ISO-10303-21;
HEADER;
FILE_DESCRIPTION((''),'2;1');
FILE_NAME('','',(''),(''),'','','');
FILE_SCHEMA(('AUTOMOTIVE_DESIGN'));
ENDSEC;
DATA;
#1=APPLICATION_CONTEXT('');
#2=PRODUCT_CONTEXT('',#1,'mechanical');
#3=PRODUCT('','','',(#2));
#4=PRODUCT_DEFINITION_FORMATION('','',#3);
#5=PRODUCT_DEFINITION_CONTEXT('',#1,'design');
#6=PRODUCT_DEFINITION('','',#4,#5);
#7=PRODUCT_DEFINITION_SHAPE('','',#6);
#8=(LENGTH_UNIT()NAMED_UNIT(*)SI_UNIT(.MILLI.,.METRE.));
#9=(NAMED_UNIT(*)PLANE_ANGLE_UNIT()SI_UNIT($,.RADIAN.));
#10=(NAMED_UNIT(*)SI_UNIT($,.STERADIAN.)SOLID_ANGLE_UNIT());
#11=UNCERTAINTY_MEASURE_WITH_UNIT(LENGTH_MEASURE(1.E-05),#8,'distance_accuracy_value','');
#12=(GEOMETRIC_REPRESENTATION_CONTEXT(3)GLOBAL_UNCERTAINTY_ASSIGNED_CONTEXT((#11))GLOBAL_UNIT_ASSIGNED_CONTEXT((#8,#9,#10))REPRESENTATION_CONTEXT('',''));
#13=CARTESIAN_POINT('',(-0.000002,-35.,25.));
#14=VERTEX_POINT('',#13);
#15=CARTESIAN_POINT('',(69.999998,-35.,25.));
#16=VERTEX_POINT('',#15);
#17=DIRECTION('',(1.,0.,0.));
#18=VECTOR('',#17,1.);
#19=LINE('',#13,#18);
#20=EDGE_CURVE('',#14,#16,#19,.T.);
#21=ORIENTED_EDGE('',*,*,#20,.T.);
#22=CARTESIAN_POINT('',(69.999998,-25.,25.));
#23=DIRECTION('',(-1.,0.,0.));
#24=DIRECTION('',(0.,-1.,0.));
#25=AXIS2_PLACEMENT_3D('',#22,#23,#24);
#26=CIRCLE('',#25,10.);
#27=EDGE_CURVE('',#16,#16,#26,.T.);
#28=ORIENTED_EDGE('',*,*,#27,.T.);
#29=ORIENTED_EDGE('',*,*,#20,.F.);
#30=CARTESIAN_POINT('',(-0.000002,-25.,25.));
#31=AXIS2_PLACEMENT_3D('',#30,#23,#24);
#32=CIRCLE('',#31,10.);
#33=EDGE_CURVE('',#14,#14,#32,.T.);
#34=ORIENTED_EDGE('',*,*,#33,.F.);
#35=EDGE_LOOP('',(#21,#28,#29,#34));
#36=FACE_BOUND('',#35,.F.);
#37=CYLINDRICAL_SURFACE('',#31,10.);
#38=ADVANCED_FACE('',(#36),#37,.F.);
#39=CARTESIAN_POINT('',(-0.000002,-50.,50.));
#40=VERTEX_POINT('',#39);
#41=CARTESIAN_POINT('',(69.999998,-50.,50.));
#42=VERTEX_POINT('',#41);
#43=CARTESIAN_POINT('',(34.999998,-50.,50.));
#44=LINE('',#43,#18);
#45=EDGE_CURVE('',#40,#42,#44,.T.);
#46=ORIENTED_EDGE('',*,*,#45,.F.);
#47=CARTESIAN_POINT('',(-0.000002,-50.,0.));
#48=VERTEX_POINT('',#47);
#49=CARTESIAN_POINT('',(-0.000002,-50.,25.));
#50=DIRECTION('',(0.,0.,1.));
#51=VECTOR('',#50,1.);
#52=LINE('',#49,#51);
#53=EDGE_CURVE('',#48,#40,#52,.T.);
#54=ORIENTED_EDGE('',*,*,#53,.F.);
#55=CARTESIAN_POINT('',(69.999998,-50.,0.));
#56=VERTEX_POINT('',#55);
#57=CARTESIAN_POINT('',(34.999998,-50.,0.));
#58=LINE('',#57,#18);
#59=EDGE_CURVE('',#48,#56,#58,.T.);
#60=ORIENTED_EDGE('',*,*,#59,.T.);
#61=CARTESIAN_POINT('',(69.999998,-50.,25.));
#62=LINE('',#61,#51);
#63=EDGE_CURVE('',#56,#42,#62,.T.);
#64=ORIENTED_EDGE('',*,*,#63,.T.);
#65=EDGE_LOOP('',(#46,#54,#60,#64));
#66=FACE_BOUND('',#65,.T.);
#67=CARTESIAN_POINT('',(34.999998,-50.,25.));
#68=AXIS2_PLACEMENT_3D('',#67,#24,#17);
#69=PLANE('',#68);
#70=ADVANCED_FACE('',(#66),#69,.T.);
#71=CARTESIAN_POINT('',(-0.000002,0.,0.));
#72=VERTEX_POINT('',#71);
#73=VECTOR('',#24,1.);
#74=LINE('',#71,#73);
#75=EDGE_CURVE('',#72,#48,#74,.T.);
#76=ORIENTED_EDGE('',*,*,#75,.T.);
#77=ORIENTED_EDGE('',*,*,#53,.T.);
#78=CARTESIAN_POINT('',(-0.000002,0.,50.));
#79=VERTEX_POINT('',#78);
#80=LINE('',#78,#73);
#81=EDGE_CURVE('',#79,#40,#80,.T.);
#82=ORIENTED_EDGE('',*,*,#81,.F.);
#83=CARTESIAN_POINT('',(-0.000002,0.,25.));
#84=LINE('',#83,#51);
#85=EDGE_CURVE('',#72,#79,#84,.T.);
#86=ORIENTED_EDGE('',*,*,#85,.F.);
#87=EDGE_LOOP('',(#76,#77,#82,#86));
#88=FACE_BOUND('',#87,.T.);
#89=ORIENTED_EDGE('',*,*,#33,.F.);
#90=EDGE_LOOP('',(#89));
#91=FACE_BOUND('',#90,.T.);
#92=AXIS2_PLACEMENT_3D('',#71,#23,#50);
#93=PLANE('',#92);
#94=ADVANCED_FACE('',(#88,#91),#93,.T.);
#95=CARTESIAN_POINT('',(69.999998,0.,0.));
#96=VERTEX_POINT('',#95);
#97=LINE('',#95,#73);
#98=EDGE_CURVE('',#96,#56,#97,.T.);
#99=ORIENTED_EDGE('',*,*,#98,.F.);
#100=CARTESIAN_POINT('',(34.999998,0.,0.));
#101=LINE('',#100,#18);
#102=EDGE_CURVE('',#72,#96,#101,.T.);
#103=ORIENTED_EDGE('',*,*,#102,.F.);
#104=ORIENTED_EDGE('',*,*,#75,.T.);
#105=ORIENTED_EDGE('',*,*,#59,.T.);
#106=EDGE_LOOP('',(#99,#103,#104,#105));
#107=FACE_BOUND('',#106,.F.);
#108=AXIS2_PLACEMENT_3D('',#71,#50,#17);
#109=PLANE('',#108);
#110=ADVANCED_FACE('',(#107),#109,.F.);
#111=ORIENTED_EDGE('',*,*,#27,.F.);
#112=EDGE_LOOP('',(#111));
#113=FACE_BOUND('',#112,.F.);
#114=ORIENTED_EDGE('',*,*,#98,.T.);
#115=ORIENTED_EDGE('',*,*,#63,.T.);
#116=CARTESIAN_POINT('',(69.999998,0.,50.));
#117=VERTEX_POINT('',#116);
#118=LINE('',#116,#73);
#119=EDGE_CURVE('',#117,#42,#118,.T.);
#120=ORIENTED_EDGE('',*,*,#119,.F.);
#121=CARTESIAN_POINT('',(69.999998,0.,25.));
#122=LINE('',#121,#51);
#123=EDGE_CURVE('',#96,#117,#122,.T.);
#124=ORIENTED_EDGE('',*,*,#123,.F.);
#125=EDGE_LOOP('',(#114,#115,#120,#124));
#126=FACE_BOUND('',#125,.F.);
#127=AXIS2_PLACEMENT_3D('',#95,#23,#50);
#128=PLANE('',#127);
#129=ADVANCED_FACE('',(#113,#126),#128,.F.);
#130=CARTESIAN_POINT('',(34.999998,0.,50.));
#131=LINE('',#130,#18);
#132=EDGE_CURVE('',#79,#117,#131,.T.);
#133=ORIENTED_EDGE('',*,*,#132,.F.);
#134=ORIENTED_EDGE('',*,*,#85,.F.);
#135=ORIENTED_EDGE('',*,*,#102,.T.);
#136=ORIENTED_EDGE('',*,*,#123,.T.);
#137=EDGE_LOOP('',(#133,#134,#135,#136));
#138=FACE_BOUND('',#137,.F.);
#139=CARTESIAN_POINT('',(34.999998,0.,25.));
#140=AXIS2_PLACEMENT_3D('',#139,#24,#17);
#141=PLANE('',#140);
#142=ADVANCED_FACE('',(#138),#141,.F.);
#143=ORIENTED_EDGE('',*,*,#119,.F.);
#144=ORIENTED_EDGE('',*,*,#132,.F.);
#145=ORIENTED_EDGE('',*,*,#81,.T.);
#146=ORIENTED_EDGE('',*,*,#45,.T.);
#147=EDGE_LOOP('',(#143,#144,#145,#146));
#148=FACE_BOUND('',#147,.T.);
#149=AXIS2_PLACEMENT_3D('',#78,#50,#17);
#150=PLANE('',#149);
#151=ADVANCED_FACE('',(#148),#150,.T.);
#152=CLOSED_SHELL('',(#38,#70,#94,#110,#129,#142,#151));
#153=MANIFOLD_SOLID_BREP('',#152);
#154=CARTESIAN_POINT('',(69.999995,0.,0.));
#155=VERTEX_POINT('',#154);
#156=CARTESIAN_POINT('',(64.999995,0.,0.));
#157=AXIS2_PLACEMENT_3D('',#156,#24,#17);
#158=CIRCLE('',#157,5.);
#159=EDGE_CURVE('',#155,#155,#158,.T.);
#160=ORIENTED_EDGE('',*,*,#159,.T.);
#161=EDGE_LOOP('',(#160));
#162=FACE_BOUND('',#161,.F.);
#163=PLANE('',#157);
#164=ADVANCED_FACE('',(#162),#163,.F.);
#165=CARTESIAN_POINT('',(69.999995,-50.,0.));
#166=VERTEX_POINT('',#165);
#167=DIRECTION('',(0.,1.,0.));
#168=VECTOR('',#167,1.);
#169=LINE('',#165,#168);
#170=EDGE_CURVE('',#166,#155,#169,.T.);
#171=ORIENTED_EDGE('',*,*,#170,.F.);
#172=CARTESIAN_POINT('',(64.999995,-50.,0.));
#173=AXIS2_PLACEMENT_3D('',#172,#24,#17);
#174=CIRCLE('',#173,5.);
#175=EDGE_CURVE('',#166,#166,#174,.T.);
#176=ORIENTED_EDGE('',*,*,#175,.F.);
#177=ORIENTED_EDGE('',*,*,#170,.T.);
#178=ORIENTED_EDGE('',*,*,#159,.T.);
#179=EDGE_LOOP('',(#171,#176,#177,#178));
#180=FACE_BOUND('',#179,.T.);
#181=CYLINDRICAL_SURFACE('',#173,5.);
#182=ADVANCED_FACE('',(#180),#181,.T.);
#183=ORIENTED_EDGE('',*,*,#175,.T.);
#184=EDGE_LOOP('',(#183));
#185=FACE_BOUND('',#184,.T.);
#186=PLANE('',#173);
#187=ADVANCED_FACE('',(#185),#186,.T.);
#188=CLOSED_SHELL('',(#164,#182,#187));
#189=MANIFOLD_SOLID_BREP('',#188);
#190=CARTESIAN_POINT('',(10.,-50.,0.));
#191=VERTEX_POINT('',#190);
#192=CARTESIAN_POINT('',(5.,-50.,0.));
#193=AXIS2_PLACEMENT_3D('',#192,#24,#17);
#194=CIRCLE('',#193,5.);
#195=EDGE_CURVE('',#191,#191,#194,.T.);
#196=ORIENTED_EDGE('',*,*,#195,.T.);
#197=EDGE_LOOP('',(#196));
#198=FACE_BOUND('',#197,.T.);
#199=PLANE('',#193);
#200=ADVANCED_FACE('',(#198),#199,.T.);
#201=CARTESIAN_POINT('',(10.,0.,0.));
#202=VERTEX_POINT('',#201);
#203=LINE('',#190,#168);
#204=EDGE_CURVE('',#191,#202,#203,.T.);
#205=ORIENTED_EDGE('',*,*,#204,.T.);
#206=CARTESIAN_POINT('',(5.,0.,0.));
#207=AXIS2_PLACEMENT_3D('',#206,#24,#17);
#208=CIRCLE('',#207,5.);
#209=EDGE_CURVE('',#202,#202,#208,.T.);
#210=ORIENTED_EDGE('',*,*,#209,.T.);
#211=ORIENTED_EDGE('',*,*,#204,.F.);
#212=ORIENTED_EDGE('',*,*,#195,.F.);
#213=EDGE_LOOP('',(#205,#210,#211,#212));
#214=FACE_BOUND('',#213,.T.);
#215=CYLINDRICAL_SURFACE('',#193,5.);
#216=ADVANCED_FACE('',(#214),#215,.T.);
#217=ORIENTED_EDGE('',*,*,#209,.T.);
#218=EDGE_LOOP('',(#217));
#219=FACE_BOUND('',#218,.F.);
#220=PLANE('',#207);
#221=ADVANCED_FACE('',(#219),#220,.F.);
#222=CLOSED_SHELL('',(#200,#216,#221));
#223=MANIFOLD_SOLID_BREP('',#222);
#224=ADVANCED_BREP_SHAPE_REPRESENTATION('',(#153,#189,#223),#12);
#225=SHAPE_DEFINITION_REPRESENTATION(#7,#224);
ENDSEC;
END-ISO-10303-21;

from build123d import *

# Parameters (mm, degrees)
F0_W     = 70
F0_H     = 50
F1_DEPTH = 50
F2_R     = 5
F3_DEPTH = 50
F4_R     = 10
F5_DEPTH = 70.001


with BuildPart() as f1:
    # F0 (on Front) → F1 (new body)
    with BuildSketch(Plane.XZ):
        with Locations((34.999998, 25)):
            Rectangle(F0_W, F0_H)
    extrude(amount=F1_DEPTH)

    # F4 (on face) → F5 (cut, through all)
    with BuildSketch(Plane(origin=(-2e-06, 0, 0), x_dir=(0, -1, 0), z_dir=(-1, 0, 0))):
        with Locations((25, 25)):
            Circle(F4_R)
    extrude(amount=-F5_DEPTH, mode=Mode.SUBTRACT)


with BuildPart() as f3:
    # F2 (on face) → F3 (new body)
    with BuildSketch(Plane.XZ.offset(50)):
        with Locations((5, 0)):
            Circle(F2_R)
        with Locations((64.999995, 0)):
            Circle(F2_R)
    extrude(amount=-F3_DEPTH)


solid = Compound([f1.part, f3.part])
